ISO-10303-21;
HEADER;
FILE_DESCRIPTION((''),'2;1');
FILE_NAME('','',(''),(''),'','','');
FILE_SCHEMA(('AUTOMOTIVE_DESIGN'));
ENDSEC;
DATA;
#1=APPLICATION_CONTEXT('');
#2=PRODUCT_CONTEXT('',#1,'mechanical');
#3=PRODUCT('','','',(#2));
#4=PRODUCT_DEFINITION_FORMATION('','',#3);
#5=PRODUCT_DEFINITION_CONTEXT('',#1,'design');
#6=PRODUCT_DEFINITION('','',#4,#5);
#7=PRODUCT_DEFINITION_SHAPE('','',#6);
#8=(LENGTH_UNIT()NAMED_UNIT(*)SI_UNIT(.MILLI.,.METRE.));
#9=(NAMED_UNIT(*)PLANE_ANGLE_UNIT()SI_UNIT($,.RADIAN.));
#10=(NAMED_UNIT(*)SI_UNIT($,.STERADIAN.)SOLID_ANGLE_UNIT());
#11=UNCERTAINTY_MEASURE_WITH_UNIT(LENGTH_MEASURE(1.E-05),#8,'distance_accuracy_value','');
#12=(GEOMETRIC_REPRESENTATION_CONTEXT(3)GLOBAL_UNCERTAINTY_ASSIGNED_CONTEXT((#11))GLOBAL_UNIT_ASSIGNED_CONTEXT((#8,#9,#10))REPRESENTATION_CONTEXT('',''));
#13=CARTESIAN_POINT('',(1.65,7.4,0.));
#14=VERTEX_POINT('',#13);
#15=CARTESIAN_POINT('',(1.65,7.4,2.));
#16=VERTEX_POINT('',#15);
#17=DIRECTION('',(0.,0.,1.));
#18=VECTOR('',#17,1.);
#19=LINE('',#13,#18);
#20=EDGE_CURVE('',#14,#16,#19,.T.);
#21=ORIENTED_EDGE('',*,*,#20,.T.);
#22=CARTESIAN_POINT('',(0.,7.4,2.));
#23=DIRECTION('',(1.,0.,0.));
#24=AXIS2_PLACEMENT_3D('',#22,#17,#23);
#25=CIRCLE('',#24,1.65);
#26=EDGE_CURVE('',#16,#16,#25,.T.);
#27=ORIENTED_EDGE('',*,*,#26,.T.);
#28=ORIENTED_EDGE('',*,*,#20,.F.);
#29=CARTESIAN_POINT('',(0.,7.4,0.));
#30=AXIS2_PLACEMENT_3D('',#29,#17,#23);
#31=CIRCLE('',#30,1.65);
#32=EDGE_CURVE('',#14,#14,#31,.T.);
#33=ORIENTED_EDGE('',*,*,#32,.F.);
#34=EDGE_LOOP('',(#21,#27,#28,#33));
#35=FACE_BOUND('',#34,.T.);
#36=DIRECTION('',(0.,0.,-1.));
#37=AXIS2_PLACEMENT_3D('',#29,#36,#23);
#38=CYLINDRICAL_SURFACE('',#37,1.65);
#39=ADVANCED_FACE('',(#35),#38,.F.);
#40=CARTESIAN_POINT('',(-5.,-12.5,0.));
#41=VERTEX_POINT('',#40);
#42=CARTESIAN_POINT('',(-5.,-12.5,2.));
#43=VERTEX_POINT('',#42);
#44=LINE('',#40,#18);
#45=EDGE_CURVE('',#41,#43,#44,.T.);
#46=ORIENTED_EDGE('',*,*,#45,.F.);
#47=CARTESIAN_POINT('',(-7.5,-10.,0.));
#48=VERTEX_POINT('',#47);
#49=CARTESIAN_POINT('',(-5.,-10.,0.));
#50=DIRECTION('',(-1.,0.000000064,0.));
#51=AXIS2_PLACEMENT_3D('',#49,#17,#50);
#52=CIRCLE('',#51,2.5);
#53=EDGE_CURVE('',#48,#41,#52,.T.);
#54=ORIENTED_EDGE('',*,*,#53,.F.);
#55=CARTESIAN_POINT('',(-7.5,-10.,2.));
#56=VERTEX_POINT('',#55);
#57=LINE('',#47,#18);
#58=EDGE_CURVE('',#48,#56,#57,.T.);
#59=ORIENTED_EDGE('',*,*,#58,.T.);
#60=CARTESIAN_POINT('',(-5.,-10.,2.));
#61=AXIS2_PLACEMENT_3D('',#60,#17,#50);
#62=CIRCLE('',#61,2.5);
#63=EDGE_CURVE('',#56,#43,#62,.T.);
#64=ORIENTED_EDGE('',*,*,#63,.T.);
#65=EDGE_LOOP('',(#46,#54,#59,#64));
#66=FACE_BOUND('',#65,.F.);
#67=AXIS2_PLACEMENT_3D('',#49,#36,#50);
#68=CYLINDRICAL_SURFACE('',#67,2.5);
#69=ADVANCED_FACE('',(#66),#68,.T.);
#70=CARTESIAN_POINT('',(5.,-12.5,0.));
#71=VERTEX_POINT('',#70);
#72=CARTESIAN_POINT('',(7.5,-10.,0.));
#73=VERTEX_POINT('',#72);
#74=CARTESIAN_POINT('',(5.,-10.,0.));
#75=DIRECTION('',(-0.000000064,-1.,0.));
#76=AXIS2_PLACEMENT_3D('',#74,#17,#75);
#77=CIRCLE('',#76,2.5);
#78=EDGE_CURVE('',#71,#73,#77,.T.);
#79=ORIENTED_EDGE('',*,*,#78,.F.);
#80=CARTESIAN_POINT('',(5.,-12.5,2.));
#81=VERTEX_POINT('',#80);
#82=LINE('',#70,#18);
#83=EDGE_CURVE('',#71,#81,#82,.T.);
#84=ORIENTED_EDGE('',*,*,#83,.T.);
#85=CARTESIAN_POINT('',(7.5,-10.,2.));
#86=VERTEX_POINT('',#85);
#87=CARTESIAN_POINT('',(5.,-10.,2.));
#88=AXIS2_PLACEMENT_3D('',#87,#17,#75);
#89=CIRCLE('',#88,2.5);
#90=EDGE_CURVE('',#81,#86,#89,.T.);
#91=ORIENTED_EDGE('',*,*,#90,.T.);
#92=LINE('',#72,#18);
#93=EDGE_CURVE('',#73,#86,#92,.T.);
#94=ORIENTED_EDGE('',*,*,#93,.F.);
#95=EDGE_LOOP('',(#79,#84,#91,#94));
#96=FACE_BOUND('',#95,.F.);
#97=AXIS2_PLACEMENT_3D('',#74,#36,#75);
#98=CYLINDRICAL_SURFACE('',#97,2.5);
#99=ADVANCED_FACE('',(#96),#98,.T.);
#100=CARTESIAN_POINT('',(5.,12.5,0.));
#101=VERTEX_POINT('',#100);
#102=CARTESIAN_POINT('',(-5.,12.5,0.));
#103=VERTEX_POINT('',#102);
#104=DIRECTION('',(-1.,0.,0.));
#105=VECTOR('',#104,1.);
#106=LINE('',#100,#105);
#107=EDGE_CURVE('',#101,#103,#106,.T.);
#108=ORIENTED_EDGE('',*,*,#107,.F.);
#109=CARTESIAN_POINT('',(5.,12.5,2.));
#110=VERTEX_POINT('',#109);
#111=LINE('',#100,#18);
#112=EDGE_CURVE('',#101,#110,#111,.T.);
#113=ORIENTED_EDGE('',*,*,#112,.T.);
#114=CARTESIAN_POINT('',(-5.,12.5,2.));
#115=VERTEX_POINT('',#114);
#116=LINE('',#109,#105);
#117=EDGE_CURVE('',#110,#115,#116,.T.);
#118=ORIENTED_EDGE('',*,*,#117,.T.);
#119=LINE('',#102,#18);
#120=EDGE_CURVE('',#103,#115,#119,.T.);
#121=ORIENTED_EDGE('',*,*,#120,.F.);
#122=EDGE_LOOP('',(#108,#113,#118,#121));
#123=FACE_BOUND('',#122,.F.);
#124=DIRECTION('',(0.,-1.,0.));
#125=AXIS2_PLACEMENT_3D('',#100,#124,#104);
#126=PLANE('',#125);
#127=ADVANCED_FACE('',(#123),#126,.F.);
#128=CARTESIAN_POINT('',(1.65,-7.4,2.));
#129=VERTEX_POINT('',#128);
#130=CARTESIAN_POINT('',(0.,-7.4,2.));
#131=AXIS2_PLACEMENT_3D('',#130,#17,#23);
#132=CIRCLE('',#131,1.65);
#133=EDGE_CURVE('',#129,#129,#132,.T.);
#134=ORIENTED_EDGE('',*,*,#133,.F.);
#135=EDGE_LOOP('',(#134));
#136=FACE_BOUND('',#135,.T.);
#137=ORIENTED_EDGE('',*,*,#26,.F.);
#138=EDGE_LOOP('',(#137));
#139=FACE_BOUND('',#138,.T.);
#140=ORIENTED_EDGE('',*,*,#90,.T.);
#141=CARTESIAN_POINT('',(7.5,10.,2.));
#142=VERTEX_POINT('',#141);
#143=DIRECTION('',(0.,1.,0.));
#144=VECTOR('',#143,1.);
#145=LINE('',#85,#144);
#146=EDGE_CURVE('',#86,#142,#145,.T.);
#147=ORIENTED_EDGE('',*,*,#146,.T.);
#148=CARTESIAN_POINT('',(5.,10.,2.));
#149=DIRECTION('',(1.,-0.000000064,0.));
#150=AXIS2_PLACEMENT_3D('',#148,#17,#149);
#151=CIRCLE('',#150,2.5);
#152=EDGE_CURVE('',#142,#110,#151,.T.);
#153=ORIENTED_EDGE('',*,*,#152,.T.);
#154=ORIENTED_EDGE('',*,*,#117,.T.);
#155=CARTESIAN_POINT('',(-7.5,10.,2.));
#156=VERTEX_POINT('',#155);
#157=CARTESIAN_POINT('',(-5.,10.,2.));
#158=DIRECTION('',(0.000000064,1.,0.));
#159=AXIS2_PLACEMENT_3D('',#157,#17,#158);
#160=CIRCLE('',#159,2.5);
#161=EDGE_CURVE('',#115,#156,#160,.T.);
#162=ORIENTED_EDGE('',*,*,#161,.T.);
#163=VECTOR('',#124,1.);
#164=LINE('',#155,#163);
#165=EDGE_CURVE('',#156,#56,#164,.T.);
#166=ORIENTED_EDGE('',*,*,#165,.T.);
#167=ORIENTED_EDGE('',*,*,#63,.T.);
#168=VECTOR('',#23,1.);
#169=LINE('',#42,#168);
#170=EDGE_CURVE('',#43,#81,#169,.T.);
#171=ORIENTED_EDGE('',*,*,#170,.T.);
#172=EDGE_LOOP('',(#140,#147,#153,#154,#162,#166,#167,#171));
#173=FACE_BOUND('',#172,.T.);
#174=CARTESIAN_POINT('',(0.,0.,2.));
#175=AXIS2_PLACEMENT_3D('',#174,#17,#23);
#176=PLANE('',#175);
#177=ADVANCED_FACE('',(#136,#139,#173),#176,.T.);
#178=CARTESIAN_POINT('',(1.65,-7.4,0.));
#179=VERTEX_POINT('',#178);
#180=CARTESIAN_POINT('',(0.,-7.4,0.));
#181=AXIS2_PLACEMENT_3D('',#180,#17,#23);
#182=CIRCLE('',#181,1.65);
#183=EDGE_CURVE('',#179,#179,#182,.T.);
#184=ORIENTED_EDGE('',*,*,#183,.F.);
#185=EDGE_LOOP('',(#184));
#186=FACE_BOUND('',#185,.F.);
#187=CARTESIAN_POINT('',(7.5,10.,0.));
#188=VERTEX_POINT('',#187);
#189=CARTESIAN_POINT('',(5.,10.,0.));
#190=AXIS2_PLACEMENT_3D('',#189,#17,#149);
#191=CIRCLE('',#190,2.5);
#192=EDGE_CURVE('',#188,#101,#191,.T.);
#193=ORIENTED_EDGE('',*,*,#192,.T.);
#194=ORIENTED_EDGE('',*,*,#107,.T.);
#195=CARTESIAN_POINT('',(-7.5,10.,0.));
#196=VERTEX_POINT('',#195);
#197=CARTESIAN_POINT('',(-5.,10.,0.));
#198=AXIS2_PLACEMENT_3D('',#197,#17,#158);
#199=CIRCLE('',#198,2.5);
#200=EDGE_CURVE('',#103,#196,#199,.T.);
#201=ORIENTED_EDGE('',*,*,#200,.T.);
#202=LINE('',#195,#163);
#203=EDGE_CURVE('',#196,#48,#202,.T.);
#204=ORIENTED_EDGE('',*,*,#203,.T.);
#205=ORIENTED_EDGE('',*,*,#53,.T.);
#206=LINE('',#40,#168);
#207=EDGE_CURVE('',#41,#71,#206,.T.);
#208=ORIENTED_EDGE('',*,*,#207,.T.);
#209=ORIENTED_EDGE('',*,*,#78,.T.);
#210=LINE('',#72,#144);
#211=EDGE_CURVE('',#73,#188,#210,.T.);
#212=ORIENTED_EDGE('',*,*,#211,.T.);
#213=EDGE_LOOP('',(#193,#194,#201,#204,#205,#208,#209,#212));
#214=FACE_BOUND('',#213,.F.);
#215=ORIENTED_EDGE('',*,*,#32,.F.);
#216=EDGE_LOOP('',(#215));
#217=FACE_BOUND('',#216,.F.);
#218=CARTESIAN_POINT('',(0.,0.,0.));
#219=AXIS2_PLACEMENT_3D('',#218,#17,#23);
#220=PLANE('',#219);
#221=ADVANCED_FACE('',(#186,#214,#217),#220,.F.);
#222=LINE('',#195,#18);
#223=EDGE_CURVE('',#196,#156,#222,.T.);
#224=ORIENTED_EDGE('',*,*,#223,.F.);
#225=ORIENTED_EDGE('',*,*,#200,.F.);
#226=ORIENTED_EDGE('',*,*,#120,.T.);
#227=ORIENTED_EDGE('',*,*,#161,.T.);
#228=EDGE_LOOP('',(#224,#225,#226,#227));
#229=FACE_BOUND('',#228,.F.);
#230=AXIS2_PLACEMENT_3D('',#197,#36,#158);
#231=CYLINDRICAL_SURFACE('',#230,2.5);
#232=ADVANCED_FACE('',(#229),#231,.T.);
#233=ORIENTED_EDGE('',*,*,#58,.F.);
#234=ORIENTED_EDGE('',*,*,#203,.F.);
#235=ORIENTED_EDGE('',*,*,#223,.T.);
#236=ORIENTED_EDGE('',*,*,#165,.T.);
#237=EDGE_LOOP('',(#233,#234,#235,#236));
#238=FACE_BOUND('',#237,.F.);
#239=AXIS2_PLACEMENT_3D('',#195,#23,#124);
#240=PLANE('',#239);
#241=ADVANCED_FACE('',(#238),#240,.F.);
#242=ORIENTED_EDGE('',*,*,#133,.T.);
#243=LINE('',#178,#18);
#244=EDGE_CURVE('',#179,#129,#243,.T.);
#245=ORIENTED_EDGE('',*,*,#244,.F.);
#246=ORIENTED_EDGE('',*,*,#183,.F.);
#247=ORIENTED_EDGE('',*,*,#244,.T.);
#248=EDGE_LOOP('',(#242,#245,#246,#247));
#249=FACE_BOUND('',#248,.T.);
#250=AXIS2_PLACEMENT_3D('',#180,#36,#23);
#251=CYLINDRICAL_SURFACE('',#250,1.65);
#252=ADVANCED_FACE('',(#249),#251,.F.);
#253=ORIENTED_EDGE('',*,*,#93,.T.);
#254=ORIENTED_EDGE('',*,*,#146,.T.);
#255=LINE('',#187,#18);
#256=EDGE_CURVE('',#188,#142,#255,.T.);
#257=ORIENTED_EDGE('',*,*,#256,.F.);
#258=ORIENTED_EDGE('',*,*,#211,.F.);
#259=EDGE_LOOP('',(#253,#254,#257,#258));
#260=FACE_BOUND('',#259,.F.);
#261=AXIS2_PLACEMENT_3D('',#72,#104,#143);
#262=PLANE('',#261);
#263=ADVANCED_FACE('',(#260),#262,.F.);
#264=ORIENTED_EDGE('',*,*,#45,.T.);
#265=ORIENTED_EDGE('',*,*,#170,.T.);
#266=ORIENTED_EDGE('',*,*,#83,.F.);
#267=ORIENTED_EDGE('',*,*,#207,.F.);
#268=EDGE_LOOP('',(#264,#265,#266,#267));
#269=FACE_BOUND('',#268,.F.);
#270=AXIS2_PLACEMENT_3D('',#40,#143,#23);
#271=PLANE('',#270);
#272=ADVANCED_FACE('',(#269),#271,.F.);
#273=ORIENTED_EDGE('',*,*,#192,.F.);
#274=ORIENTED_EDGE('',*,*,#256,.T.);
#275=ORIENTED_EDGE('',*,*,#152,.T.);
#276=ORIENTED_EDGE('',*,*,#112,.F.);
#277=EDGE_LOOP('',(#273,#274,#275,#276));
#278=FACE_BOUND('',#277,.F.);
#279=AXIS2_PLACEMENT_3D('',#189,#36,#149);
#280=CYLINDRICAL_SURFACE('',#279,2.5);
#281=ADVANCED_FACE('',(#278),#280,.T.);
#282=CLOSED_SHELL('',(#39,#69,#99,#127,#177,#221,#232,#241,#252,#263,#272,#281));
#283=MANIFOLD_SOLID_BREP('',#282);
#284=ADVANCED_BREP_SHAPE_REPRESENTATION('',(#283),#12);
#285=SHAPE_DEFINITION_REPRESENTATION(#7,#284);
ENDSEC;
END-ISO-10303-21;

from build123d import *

# Parameters (mm, degrees)
SKETCH_R  = 1.65
PAD_DEPTH = 2


with BuildPart() as part:
    # Sketch → Pad (new body)
    with BuildSketch(Plane.XY):
        with BuildLine():
            Line((-7.5, 10), (-7.5, -10))
            ThreePointArc((-7.5, -10), (-6.767767, -11.767767), (-5, -12.5))
            Line((-5, -12.5), (5, -12.5))
            ThreePointArc((5, -12.5), (6.767767, -11.767767), (7.5, -10))
            Line((7.5, -10), (7.5, 10))
            ThreePointArc((7.5, 10), (6.767767, 11.767767), (5, 12.5))
            Line((5, 12.5), (-5, 12.5))
            ThreePointArc((-5, 12.5), (-6.767767, 11.767767), (-7.5, 10))
        make_face()
        with Locations((0, 7.4)):
            Circle(SKETCH_R, mode=Mode.SUBTRACT)
        with Locations((0, -7.4)):
            Circle(SKETCH_R, mode=Mode.SUBTRACT)
    extrude(amount=PAD_DEPTH)


solid = part.part
